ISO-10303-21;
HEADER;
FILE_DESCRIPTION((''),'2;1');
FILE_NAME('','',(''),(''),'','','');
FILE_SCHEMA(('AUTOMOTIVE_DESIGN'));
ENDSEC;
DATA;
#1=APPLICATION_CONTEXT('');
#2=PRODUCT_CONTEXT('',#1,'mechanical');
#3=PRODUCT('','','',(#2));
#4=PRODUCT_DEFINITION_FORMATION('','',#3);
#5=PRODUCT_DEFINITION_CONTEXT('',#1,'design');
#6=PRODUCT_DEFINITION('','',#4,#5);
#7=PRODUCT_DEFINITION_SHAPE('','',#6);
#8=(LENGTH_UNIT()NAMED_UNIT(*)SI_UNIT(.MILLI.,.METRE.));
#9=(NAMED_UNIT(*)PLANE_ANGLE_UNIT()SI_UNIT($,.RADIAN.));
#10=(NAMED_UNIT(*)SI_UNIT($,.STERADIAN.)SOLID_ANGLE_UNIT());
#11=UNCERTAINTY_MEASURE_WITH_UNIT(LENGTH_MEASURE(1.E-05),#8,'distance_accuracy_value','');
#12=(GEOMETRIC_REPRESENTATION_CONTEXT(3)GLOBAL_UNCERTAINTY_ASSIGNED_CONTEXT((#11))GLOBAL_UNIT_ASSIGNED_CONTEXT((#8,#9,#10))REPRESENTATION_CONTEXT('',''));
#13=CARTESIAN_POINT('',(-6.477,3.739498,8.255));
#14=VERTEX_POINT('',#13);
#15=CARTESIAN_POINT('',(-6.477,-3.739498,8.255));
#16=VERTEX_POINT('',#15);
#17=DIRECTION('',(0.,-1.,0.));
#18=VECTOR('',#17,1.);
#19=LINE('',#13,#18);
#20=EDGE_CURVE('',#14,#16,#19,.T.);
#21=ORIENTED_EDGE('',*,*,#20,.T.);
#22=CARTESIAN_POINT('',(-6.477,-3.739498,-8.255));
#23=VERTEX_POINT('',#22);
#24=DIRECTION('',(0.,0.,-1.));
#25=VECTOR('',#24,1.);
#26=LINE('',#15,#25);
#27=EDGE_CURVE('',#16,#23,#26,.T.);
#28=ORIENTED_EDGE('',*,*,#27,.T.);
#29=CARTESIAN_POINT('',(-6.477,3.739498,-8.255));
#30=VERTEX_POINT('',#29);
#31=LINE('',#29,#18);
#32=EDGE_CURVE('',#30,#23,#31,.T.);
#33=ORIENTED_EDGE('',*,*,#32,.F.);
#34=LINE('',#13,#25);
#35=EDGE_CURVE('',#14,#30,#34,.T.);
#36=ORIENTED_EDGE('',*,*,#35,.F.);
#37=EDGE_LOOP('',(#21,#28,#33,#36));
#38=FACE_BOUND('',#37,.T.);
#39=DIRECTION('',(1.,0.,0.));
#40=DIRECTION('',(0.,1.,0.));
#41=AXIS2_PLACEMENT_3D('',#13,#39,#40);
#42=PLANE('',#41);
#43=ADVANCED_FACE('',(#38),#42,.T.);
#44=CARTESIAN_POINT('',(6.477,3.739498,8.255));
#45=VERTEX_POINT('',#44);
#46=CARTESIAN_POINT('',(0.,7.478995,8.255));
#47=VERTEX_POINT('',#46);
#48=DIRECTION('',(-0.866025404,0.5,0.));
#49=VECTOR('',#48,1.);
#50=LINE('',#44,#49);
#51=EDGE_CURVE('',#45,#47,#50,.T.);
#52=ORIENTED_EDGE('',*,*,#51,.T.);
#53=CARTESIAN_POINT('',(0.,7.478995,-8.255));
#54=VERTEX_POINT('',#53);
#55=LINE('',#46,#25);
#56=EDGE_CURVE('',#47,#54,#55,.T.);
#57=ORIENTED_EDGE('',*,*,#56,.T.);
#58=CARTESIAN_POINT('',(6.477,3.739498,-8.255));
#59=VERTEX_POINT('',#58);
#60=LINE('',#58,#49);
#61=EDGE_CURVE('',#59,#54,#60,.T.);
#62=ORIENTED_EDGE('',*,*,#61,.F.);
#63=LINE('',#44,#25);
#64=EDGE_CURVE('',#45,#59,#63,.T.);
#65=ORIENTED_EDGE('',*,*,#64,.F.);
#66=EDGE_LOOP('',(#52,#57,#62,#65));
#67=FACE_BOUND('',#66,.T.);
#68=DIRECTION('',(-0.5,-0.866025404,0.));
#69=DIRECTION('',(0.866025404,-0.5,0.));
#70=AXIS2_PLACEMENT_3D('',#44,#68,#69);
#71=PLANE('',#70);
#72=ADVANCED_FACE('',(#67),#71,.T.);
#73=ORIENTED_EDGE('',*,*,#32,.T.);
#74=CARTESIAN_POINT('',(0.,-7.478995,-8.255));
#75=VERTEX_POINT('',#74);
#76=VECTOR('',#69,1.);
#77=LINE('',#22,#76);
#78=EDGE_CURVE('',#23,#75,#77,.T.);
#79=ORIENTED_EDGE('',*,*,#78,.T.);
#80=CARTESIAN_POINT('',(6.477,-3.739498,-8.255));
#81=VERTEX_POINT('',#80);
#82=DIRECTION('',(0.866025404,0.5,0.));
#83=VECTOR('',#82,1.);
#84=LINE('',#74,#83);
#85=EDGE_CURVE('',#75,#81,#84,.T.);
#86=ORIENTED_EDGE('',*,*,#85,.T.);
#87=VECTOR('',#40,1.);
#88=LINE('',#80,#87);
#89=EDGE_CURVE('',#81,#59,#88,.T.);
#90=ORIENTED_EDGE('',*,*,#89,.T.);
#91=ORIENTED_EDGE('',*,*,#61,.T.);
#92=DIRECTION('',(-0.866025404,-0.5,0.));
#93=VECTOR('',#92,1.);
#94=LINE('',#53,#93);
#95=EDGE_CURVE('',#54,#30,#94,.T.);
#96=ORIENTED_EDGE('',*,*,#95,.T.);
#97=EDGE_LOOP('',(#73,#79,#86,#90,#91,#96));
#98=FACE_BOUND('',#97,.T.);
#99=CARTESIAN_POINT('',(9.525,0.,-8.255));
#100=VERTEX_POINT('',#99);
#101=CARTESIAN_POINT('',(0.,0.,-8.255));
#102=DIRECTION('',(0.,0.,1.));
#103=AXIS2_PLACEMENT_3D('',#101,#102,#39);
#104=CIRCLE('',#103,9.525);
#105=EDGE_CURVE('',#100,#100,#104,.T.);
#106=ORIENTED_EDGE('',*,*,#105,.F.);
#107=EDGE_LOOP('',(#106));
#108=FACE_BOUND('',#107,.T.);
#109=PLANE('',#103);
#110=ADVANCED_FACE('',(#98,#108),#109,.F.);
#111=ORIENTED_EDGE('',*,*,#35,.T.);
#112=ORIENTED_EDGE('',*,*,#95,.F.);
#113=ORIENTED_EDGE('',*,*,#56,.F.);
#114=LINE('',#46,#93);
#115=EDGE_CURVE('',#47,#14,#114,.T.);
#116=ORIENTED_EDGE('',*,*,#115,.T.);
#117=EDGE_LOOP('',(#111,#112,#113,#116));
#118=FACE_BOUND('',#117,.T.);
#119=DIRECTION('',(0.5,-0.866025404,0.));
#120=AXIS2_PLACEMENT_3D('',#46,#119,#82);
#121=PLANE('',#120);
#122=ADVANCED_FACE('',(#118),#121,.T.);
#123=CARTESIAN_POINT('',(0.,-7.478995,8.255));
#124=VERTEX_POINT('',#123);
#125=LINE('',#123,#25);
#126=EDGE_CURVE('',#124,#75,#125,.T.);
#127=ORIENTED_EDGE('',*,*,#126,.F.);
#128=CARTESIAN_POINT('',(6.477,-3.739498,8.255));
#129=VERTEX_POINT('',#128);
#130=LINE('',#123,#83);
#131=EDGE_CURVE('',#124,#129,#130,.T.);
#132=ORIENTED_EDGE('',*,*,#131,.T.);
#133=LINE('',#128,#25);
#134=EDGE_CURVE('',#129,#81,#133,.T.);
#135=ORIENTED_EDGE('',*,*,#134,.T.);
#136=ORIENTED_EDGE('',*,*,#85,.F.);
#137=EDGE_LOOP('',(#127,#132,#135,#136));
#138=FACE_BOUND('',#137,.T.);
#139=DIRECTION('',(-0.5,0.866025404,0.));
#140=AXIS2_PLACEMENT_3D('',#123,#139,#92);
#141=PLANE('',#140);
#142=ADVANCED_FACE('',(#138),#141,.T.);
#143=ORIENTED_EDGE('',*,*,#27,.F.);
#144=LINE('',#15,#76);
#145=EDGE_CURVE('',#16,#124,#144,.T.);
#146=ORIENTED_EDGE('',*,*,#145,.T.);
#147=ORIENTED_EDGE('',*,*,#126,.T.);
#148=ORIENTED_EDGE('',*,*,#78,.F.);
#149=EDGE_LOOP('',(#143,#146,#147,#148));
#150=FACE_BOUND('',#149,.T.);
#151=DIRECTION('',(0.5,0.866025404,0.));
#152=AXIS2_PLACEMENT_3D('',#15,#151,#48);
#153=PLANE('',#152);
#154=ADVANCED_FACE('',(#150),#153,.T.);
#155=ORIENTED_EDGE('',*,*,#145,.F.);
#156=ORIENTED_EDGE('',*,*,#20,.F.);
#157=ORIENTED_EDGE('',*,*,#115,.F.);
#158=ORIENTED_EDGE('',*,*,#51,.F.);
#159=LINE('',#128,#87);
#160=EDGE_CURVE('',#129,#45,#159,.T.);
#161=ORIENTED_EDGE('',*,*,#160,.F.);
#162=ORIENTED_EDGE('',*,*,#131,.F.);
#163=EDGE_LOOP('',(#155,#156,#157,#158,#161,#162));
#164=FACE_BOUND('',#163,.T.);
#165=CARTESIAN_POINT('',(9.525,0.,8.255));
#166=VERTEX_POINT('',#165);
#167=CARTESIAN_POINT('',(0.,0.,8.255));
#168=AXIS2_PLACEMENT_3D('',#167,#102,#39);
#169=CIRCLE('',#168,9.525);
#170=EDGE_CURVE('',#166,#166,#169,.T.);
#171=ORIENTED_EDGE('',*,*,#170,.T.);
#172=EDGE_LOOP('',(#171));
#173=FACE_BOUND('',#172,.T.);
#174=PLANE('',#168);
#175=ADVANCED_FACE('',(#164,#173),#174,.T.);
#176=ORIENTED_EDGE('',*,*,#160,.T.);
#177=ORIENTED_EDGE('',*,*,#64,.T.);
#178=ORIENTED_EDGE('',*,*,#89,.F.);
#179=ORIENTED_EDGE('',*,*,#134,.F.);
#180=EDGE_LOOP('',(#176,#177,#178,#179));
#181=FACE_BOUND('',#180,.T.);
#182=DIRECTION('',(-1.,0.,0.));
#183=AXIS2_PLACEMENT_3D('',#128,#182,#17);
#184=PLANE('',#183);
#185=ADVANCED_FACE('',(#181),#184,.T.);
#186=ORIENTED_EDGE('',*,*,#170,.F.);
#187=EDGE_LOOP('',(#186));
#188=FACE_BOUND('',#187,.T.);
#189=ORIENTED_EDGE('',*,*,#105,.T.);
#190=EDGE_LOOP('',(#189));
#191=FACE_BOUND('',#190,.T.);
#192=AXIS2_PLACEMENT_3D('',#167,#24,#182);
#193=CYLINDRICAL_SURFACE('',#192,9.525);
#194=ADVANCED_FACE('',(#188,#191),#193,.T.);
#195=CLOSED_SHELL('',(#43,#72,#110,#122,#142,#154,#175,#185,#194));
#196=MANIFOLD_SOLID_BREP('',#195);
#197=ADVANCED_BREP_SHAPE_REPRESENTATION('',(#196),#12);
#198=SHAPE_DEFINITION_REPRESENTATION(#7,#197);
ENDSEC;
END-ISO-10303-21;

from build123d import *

# Parameters (mm, degrees)
SKETCH1_R           = 9.525
BOSS_EXTRUDE1_DEPTH = 8.255


with BuildPart() as part:
    # Sketch1 → Boss-Extrude1 (new, symmetric)
    with BuildSketch(Plane.XY):
        Circle(SKETCH1_R)
        Polygon((0, 7.478995387), (-6.477, 3.739497694), (-6.477, -3.739497694), (0, -7.478995387), (6.477, -3.739497694), (6.477, 3.739497694), align=None, mode=Mode.SUBTRACT)
    extrude(amount=BOSS_EXTRUDE1_DEPTH, both=True)


solid = part.part
